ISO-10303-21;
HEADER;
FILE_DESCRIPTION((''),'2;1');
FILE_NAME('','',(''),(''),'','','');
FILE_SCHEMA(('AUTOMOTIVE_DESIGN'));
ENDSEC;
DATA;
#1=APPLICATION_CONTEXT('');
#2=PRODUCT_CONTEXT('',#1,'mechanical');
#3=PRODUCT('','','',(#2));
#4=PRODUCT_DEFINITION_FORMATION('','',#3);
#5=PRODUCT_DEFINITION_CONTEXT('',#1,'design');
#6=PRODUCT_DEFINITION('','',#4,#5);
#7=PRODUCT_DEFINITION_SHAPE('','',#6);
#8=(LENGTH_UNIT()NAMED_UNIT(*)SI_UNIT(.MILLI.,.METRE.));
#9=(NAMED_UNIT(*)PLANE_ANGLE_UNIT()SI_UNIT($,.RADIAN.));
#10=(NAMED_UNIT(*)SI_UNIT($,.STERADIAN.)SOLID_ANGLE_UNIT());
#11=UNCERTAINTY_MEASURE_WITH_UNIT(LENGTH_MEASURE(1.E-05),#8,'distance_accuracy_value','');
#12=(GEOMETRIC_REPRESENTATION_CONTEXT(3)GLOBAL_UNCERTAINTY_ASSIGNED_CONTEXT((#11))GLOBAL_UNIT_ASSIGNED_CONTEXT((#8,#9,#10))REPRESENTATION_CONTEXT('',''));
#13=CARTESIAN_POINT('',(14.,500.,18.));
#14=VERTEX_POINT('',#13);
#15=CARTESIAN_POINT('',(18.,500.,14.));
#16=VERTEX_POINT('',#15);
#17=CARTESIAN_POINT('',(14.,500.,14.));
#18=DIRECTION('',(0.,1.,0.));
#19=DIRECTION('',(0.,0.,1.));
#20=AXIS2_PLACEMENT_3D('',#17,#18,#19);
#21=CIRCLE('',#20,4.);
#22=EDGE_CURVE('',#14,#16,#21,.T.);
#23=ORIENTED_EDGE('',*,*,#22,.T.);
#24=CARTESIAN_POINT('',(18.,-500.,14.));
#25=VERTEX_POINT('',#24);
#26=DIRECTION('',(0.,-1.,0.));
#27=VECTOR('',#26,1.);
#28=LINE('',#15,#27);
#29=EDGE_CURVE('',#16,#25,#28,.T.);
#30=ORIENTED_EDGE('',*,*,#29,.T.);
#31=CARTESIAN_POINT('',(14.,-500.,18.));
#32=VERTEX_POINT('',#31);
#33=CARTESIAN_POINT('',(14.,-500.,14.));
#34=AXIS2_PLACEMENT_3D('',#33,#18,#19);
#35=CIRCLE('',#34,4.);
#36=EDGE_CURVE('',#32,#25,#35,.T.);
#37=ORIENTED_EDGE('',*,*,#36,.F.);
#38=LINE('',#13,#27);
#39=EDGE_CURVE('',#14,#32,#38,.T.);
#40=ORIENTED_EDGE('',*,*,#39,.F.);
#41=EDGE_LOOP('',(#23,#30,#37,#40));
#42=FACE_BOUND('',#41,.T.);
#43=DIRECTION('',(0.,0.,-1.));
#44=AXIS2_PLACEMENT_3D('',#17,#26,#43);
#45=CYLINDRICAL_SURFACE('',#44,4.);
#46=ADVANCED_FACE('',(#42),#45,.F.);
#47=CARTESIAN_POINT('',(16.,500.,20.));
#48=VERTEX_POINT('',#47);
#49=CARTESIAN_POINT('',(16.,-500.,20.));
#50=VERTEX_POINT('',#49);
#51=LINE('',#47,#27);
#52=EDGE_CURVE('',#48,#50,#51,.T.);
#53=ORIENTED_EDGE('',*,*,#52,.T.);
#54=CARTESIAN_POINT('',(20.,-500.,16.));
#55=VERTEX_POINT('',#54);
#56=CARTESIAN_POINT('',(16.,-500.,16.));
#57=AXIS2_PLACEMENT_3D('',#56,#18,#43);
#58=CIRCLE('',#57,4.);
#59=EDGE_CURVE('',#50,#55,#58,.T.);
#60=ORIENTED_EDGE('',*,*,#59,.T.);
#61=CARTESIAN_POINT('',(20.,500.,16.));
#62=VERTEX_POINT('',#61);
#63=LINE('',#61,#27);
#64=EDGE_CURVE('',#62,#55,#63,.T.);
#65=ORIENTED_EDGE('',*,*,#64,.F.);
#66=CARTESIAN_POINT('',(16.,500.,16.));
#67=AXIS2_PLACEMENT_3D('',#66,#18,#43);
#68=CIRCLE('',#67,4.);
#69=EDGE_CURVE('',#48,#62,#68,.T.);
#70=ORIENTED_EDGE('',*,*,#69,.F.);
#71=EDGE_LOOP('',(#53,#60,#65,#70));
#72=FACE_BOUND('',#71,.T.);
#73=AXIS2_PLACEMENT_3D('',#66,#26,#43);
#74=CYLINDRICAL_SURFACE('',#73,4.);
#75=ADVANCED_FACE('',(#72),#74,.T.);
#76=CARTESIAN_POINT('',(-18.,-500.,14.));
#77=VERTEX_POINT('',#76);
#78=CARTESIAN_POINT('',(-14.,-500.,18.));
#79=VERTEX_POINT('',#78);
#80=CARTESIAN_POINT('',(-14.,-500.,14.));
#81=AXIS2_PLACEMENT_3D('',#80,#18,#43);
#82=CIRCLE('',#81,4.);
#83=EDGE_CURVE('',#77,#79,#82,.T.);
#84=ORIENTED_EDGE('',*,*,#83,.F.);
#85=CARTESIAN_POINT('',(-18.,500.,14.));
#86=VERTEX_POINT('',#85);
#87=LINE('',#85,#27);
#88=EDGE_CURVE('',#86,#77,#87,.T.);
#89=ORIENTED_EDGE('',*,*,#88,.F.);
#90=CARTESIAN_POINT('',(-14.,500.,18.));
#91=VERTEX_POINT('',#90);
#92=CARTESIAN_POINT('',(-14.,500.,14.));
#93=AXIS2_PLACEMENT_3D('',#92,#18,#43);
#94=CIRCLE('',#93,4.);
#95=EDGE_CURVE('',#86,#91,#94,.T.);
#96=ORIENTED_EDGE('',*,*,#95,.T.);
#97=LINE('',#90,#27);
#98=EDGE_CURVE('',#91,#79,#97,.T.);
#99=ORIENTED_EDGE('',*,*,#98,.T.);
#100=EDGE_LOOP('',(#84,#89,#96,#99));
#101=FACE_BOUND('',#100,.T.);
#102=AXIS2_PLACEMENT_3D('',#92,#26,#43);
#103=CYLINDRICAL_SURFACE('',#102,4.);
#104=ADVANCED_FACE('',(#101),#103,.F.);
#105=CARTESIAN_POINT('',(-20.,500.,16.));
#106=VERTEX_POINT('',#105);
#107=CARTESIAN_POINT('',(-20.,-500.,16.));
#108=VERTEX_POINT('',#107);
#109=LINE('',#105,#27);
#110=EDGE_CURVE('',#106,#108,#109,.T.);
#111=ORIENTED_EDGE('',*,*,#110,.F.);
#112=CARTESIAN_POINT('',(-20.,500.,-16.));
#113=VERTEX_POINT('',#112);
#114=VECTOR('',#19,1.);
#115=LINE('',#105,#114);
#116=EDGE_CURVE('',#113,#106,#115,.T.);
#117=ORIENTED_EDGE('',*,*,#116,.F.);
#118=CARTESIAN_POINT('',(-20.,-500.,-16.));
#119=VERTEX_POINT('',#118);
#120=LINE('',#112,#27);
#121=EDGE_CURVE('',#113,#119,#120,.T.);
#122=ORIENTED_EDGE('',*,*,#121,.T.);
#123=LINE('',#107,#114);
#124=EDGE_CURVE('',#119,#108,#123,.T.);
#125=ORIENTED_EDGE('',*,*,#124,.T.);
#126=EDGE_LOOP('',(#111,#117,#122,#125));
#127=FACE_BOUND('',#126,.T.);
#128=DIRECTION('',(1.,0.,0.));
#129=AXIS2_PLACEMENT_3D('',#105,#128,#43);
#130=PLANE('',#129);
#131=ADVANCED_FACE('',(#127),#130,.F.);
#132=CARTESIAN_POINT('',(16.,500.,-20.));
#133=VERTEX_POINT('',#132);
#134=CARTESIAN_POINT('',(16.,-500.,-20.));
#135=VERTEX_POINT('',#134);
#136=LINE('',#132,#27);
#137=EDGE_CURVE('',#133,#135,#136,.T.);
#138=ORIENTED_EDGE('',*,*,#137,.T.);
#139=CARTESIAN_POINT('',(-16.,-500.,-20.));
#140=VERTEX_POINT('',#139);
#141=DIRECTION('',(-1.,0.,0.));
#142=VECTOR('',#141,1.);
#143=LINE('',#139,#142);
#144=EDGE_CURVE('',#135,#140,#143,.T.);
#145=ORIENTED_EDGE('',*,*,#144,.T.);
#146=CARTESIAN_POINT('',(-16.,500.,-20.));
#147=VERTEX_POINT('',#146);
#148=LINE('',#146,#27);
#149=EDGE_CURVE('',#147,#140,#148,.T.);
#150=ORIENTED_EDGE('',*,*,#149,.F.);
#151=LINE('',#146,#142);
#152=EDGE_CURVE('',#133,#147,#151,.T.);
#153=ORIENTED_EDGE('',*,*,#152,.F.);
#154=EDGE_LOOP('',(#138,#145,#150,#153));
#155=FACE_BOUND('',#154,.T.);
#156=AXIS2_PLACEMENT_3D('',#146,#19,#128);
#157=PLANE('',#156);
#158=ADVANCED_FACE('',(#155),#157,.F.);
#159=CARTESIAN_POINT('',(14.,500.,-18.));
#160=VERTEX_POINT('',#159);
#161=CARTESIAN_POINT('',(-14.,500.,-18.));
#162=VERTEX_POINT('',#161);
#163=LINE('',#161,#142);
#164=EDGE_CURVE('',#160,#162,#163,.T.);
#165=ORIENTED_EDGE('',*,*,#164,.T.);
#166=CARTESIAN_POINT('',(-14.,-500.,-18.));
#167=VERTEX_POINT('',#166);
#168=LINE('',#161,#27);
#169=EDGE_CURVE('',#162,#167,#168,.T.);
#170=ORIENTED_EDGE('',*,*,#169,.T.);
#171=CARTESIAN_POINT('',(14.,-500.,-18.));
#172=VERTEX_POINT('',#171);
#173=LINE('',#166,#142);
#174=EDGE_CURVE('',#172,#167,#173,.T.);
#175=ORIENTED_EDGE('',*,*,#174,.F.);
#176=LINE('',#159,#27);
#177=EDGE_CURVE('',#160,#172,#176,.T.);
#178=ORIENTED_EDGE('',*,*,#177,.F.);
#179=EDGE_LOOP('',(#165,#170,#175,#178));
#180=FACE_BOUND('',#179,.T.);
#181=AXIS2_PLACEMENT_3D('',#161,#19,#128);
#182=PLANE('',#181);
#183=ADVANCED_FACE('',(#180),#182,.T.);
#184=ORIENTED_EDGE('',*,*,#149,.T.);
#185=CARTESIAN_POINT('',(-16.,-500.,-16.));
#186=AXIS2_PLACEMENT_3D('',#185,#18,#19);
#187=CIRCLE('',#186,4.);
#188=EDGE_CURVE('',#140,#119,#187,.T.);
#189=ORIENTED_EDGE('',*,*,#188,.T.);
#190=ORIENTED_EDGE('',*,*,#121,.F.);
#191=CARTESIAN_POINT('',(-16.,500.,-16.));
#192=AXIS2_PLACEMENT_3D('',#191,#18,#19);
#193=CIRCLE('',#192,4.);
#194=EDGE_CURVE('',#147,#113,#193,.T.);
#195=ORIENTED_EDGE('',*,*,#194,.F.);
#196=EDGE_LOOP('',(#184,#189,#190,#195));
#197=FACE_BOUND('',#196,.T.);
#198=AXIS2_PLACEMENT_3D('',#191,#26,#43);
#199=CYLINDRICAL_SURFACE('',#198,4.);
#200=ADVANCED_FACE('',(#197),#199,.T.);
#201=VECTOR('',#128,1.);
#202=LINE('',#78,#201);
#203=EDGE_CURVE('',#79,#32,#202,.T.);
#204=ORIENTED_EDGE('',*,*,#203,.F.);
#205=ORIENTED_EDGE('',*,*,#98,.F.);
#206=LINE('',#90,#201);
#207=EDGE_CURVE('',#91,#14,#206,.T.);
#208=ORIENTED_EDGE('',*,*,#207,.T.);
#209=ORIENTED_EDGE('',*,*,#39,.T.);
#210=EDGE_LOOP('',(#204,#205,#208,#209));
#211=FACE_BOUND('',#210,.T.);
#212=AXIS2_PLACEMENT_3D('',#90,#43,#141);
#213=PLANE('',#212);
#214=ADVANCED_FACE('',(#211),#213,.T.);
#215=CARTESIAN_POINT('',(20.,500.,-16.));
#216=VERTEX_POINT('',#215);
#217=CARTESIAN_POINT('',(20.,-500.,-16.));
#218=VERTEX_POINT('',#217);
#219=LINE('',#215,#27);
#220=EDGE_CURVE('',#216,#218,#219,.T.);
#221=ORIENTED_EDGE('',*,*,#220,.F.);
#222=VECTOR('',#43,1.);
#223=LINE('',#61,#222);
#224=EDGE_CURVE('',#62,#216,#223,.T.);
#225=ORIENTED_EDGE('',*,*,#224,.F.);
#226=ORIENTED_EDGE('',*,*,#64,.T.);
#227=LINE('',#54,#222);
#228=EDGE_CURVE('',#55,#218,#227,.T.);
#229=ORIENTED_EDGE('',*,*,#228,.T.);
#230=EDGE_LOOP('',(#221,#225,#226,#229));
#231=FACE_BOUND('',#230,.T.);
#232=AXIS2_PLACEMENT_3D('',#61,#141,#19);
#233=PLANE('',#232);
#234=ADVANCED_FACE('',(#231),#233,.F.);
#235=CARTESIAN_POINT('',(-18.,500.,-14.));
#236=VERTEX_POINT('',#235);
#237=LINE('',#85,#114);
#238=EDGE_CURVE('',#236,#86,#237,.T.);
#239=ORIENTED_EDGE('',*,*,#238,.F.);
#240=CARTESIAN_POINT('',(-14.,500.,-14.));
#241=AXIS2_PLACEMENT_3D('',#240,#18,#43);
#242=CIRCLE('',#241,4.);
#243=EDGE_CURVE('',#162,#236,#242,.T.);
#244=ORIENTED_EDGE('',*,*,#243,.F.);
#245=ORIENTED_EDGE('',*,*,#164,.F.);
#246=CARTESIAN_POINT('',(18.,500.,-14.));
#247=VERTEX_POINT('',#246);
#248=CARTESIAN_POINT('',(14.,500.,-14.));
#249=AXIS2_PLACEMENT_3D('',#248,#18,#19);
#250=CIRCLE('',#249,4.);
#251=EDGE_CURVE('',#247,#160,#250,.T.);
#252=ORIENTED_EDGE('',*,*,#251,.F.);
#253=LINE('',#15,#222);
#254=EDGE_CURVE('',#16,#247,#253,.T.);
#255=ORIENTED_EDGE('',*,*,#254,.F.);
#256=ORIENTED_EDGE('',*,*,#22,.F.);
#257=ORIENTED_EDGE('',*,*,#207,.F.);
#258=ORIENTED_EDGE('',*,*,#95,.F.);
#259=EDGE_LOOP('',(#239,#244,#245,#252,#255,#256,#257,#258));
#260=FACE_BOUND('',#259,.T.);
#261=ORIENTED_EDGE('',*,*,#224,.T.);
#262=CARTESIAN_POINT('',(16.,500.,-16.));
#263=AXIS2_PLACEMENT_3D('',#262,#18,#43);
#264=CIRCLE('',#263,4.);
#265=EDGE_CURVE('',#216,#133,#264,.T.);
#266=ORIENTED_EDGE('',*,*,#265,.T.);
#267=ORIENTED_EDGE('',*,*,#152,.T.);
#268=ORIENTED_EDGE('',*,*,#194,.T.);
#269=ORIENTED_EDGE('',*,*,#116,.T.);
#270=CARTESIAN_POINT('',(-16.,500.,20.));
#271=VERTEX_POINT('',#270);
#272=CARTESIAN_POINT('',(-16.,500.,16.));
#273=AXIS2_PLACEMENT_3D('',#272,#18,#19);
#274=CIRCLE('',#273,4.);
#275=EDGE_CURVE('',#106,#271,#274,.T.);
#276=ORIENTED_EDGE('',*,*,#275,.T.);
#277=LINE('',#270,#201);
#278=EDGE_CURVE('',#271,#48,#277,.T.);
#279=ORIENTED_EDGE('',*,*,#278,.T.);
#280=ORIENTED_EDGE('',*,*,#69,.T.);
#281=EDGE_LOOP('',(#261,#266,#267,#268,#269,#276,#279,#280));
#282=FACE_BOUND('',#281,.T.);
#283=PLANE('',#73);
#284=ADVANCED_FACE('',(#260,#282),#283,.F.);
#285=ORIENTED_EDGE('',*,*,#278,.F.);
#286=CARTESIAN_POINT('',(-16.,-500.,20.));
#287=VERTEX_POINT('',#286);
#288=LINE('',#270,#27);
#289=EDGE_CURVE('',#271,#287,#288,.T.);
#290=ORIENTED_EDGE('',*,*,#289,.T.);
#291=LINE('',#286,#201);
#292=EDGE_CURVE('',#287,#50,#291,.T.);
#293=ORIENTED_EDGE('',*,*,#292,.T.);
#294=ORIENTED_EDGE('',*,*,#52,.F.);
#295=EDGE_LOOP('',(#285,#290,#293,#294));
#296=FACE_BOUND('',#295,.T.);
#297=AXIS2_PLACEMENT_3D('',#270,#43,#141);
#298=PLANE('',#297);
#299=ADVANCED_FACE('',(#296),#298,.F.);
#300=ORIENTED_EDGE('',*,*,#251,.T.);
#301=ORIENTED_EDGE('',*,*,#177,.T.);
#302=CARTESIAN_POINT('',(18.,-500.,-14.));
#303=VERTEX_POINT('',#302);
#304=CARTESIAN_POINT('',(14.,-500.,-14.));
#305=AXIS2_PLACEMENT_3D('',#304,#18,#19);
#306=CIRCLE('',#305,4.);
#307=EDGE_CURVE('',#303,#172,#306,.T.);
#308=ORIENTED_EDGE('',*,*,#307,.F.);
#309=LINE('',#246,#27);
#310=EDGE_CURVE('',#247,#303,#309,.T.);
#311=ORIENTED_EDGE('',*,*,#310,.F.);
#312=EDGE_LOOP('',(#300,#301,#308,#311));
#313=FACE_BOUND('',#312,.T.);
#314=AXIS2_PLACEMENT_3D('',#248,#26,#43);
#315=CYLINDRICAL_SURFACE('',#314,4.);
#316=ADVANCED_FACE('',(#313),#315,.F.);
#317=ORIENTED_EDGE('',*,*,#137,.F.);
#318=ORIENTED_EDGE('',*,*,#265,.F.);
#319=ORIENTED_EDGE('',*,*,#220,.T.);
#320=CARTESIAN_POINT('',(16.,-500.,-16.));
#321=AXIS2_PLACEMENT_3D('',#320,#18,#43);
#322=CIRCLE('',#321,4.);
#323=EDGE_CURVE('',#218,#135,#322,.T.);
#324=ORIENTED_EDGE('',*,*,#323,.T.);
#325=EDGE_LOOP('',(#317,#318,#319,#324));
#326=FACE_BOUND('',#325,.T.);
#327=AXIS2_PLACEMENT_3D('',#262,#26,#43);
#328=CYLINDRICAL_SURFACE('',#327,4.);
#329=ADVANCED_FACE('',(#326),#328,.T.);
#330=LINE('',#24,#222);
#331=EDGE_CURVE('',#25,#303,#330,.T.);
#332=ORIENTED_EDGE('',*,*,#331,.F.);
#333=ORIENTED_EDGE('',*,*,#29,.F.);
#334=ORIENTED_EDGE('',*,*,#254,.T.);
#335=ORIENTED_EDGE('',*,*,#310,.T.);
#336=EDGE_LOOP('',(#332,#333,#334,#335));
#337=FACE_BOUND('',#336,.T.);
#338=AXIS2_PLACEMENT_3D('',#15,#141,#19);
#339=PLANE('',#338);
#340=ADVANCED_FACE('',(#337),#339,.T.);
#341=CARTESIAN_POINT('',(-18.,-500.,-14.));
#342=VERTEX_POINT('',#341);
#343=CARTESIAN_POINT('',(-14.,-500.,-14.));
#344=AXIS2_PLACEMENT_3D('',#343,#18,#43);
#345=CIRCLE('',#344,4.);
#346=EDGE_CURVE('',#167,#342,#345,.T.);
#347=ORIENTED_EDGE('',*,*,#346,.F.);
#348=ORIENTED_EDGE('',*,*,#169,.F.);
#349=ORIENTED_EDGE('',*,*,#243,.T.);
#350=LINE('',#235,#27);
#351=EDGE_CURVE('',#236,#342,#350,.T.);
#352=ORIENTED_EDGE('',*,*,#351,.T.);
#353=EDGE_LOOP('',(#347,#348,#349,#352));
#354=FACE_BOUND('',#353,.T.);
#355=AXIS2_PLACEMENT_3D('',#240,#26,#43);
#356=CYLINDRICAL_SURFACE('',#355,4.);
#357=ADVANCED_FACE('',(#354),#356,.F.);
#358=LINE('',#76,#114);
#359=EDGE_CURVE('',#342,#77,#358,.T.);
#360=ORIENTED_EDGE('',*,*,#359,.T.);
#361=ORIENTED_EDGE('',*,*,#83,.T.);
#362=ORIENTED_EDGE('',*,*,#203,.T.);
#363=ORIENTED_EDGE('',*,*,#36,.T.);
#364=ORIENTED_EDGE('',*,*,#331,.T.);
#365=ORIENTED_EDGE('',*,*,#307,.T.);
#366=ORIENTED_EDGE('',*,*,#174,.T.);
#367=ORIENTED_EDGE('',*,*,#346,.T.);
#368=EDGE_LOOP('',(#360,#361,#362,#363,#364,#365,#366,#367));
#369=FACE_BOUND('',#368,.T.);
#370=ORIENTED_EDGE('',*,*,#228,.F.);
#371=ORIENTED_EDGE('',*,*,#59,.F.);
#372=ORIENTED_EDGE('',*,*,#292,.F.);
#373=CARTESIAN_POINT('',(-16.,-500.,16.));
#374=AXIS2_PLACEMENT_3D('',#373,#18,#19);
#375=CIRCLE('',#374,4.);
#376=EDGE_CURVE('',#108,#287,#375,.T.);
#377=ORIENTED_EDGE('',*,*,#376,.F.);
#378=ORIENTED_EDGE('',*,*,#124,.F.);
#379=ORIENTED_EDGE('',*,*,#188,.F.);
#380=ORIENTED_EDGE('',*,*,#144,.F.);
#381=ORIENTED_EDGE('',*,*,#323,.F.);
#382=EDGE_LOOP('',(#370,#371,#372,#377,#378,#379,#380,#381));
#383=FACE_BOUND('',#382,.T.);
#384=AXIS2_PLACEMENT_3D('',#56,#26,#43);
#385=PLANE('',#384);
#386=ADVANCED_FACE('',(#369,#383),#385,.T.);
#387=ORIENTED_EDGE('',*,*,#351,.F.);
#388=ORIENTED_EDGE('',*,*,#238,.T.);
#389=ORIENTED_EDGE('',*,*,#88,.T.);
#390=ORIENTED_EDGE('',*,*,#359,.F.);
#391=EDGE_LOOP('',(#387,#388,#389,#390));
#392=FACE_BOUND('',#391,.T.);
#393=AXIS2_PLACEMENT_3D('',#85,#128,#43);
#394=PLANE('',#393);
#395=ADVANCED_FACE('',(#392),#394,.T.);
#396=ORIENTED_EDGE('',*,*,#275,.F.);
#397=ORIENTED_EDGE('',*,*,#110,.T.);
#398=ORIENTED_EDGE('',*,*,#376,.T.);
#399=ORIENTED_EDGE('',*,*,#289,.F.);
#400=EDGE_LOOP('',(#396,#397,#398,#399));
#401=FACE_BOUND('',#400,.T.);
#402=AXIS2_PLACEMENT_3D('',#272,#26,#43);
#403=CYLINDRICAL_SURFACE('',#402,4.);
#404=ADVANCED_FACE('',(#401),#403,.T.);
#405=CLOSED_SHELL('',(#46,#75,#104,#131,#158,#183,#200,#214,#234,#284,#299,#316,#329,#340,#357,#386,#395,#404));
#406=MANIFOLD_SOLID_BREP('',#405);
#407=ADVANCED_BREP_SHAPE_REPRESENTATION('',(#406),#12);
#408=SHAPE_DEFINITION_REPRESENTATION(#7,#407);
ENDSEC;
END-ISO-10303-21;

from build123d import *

# Parameters (mm, degrees)
BOSS_EXTRUDE1_DEPTH = 500


with BuildPart() as part:
    # Sketch1 → Boss-Extrude1 (new, symmetric)
    with BuildSketch(Plane(origin=(0, 0, 0), x_dir=(1, 0, 0), z_dir=(0, 1, 0))):
        with BuildLine():
            Line((-16, -20), (16, -20))
            ThreePointArc((16, -20), (18.828427125, -18.828427125), (20, -16))
            Line((20, -16), (20, 16))
            ThreePointArc((20, 16), (18.828427125, 18.828427125), (16, 20))
            Line((16, 20), (-16, 20))
            ThreePointArc((-16, 20), (-18.828427125, 18.828427125), (-20, 16))
            Line((-20, 16), (-20, -16))
            ThreePointArc((-20, -16), (-18.828427125, -18.828427125), (-16, -20))
        make_face()
        with BuildLine():
            Line((-14, -18), (14, -18))
            ThreePointArc((14, -18), (16.828427125, -16.828427125), (18, -14))
            Line((18, -14), (18, 14))
            ThreePointArc((18, 14), (16.828427125, 16.828427125), (14, 18))
            Line((14, 18), (-14, 18))
            ThreePointArc((-14, 18), (-16.828427125, 16.828427125), (-18, 14))
            Line((-18, 14), (-18, -14))
            ThreePointArc((-18, -14), (-16.828427125, -16.828427125), (-14, -18))
        make_face(mode=Mode.SUBTRACT)
    extrude(amount=BOSS_EXTRUDE1_DEPTH, both=True)


solid = part.part
